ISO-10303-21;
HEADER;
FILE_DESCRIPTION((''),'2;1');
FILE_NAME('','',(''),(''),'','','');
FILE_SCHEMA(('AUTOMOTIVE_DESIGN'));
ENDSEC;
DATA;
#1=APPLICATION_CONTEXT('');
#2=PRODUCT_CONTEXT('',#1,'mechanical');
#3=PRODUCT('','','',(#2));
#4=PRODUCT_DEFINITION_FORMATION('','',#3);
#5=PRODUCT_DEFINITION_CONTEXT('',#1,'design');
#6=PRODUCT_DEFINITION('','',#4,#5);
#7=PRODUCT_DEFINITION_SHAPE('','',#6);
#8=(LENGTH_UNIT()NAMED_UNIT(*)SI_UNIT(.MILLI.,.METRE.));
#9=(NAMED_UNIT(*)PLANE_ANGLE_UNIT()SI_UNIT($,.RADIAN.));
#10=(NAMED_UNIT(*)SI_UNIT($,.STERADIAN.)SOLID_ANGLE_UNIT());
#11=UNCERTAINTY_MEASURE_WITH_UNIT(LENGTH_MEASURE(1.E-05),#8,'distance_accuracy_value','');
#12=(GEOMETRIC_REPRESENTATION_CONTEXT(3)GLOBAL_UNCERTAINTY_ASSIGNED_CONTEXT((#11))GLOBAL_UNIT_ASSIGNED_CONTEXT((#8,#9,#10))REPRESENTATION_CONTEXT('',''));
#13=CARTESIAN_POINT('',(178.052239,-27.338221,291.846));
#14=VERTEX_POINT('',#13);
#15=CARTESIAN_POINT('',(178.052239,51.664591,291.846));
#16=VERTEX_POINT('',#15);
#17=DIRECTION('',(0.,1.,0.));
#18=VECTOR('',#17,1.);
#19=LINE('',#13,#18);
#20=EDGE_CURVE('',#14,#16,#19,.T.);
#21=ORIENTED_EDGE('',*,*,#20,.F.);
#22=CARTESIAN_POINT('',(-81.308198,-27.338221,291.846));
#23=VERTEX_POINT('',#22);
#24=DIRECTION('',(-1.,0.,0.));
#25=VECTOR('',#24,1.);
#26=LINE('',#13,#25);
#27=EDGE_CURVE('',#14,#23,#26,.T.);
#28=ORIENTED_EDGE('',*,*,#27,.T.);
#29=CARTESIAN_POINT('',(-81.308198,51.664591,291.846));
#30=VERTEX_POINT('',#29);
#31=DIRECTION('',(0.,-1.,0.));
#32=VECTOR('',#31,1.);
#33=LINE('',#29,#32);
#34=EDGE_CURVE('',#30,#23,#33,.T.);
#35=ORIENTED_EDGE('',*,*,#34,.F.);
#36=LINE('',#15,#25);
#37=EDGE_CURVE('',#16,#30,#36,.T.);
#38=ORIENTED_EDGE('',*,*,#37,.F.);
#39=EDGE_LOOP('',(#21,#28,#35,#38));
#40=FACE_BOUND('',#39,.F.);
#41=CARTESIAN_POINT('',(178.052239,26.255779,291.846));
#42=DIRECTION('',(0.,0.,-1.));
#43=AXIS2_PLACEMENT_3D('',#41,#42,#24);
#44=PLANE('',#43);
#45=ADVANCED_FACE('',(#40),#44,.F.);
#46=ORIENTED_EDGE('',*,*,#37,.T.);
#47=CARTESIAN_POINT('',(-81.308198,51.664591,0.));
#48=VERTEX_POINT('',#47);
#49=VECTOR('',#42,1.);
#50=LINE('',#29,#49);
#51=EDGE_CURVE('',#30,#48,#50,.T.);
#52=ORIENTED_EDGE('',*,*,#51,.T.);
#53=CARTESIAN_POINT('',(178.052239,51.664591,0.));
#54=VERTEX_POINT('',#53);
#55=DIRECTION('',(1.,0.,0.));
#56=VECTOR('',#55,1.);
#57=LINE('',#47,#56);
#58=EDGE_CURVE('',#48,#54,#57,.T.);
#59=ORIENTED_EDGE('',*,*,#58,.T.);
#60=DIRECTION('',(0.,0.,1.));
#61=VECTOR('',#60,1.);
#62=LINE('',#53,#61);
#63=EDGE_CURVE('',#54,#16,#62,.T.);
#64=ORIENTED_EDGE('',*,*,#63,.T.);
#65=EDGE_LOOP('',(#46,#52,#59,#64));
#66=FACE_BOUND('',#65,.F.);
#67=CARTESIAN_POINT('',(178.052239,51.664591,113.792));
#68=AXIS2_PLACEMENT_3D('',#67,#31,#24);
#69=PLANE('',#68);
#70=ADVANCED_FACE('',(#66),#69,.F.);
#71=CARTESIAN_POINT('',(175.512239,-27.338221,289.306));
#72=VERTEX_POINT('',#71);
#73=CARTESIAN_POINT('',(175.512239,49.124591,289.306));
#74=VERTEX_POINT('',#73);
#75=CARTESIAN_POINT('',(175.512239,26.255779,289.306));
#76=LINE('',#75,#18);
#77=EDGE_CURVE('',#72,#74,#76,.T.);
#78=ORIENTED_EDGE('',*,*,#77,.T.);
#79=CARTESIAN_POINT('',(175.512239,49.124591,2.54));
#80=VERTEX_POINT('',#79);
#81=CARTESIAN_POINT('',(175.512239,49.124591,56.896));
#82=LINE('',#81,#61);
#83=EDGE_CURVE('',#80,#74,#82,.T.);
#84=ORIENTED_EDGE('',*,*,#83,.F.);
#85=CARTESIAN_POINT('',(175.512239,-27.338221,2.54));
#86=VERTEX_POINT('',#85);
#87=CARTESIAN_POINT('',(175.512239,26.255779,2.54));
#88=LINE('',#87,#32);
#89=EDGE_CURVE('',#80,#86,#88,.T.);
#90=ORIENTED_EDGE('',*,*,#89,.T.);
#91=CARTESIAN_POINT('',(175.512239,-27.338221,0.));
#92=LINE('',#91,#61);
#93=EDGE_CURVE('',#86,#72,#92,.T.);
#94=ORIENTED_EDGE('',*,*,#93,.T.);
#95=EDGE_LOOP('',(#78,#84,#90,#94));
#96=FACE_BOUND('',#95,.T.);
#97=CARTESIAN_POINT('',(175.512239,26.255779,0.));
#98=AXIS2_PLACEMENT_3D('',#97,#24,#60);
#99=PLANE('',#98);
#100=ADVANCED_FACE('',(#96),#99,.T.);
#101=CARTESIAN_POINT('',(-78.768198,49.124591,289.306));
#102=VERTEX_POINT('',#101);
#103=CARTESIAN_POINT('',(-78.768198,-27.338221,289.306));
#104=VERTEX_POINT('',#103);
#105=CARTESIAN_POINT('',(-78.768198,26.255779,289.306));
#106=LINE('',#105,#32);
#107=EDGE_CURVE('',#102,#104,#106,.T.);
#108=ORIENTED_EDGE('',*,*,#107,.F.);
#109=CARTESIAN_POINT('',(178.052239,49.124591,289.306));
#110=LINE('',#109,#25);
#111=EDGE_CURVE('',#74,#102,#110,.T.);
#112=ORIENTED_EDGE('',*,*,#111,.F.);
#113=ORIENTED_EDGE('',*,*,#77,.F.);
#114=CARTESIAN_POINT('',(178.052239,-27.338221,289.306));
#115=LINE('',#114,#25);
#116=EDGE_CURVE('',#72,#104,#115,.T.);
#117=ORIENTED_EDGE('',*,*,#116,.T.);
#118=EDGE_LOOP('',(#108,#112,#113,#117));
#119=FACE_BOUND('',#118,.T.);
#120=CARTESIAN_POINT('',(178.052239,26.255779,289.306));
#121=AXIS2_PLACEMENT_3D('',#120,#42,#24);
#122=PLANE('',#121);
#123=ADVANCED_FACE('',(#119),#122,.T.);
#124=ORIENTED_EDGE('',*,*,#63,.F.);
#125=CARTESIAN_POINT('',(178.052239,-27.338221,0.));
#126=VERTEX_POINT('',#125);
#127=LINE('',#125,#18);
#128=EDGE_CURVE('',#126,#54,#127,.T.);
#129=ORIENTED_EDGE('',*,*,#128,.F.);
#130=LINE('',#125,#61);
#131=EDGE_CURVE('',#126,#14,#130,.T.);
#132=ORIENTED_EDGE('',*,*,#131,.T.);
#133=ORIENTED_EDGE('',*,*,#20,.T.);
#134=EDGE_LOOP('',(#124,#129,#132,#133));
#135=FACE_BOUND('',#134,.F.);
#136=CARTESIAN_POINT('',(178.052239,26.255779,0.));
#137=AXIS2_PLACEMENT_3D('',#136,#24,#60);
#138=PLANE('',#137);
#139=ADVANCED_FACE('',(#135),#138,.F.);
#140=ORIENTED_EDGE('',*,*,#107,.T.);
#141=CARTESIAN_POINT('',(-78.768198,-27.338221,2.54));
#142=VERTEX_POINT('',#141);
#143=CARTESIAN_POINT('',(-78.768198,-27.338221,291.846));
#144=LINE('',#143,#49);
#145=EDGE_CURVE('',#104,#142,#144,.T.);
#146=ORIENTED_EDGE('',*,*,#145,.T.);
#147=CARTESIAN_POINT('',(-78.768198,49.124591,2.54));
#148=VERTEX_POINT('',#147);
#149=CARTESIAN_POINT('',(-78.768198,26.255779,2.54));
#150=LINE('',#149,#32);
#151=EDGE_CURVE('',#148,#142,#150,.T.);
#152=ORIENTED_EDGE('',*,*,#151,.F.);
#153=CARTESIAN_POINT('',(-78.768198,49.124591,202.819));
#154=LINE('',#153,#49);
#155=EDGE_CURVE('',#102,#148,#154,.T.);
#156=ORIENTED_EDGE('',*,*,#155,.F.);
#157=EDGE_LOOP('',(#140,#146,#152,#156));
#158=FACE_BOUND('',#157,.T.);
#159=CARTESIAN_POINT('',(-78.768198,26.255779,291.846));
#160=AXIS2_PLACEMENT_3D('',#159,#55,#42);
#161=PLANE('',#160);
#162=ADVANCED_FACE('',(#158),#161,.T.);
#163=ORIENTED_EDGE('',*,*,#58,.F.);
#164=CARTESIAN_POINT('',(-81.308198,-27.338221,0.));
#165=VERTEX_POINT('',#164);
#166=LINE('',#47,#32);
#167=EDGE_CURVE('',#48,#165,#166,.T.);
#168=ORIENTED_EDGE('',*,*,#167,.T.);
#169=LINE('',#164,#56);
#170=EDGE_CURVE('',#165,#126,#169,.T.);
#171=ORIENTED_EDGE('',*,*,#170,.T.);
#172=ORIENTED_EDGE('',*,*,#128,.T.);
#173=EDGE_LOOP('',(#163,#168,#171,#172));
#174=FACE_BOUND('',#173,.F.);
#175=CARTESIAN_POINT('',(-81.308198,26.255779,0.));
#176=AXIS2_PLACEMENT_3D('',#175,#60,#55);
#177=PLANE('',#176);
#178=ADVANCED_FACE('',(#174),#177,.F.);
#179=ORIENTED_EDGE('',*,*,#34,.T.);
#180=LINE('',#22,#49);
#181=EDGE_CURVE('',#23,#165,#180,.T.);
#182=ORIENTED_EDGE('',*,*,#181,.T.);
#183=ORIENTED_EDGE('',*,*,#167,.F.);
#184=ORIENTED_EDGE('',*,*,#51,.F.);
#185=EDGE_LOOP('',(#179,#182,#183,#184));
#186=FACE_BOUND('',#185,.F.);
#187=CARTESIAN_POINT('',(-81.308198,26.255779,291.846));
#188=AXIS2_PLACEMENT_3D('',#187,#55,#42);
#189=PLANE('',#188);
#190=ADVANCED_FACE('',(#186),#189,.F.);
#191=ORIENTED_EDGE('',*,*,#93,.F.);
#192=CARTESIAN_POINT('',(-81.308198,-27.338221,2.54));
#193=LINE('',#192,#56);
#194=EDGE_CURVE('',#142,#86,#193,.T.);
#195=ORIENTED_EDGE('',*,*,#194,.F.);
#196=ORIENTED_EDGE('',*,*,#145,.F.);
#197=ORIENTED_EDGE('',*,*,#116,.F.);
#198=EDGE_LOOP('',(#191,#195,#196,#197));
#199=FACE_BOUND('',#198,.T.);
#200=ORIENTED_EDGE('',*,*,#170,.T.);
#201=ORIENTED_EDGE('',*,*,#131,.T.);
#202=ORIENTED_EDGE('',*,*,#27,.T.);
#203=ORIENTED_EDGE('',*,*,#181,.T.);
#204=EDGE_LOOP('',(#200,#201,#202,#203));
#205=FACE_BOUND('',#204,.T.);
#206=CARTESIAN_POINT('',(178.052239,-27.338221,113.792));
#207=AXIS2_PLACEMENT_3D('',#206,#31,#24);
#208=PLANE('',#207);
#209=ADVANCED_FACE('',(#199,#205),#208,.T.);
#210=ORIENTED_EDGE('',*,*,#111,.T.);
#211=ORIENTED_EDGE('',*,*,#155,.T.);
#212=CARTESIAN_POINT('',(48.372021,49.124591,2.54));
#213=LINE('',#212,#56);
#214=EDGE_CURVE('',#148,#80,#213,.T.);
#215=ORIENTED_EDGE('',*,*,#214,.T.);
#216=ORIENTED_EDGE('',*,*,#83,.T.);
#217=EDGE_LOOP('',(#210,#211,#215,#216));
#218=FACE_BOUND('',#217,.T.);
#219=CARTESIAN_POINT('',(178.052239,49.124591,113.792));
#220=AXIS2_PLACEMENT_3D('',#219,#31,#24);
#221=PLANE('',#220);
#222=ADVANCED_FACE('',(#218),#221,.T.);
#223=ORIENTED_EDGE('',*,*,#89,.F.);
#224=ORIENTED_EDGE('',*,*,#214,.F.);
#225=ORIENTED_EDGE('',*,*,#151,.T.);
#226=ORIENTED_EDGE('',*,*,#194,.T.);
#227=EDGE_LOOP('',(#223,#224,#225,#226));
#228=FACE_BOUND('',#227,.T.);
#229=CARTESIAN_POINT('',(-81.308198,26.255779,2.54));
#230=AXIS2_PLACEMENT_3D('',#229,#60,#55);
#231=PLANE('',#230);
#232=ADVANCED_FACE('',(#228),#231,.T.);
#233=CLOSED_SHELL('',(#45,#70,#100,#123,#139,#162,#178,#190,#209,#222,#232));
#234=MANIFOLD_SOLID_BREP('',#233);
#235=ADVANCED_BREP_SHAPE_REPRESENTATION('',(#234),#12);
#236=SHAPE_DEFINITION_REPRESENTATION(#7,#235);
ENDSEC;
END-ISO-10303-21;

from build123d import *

# Parameters (mm, degrees)
F0_W     = 76.2264374644
F0_H     = 25.4088118672
F1_DEPTH = 113.792
F2_DEPTH = 183.134
F3_DEPTH = 178.054
F4_DEPTH = 53.594
F5_T     = -2.54


with BuildPart() as f1:
    # F0 (on Top) → F1 (new body)
    with BuildSketch(Plane.XY):
        with Locations((-43.1949794292, 38.960184902)):
            Rectangle(F0_W, F0_H)
    extrude(amount=F1_DEPTH)

    # F2 (add): a face of the model
    f2_faces = [f1.faces().sort_by_distance(p)[0] for p in [
        (-5.0817606971, 38.960184902, 56.896),
    ]]
    extrude(f2_faces, amount=F2_DEPTH)

    # F3 (add): a face of the model
    f3_faces = [f1.faces().sort_by_distance(p)[0] for p in [
        (48.3720205708, 38.960184902, 113.792),
    ]]
    extrude(f3_faces, amount=F3_DEPTH)

    # F4 (add): a face of the model
    f4_faces = [f1.faces().sort_by_distance(p)[0] for p in [
        (48.3720205708, 26.2557789683, 145.923),
    ]]
    extrude(f4_faces, amount=F4_DEPTH)

    # F5
    f5_openings = [f1.faces().sort_by_distance(p)[0] for p in [
        (48.372021, -27.338221, 145.923),
    ]]
    offset(amount=F5_T, openings=f5_openings)


solid = f1.part
